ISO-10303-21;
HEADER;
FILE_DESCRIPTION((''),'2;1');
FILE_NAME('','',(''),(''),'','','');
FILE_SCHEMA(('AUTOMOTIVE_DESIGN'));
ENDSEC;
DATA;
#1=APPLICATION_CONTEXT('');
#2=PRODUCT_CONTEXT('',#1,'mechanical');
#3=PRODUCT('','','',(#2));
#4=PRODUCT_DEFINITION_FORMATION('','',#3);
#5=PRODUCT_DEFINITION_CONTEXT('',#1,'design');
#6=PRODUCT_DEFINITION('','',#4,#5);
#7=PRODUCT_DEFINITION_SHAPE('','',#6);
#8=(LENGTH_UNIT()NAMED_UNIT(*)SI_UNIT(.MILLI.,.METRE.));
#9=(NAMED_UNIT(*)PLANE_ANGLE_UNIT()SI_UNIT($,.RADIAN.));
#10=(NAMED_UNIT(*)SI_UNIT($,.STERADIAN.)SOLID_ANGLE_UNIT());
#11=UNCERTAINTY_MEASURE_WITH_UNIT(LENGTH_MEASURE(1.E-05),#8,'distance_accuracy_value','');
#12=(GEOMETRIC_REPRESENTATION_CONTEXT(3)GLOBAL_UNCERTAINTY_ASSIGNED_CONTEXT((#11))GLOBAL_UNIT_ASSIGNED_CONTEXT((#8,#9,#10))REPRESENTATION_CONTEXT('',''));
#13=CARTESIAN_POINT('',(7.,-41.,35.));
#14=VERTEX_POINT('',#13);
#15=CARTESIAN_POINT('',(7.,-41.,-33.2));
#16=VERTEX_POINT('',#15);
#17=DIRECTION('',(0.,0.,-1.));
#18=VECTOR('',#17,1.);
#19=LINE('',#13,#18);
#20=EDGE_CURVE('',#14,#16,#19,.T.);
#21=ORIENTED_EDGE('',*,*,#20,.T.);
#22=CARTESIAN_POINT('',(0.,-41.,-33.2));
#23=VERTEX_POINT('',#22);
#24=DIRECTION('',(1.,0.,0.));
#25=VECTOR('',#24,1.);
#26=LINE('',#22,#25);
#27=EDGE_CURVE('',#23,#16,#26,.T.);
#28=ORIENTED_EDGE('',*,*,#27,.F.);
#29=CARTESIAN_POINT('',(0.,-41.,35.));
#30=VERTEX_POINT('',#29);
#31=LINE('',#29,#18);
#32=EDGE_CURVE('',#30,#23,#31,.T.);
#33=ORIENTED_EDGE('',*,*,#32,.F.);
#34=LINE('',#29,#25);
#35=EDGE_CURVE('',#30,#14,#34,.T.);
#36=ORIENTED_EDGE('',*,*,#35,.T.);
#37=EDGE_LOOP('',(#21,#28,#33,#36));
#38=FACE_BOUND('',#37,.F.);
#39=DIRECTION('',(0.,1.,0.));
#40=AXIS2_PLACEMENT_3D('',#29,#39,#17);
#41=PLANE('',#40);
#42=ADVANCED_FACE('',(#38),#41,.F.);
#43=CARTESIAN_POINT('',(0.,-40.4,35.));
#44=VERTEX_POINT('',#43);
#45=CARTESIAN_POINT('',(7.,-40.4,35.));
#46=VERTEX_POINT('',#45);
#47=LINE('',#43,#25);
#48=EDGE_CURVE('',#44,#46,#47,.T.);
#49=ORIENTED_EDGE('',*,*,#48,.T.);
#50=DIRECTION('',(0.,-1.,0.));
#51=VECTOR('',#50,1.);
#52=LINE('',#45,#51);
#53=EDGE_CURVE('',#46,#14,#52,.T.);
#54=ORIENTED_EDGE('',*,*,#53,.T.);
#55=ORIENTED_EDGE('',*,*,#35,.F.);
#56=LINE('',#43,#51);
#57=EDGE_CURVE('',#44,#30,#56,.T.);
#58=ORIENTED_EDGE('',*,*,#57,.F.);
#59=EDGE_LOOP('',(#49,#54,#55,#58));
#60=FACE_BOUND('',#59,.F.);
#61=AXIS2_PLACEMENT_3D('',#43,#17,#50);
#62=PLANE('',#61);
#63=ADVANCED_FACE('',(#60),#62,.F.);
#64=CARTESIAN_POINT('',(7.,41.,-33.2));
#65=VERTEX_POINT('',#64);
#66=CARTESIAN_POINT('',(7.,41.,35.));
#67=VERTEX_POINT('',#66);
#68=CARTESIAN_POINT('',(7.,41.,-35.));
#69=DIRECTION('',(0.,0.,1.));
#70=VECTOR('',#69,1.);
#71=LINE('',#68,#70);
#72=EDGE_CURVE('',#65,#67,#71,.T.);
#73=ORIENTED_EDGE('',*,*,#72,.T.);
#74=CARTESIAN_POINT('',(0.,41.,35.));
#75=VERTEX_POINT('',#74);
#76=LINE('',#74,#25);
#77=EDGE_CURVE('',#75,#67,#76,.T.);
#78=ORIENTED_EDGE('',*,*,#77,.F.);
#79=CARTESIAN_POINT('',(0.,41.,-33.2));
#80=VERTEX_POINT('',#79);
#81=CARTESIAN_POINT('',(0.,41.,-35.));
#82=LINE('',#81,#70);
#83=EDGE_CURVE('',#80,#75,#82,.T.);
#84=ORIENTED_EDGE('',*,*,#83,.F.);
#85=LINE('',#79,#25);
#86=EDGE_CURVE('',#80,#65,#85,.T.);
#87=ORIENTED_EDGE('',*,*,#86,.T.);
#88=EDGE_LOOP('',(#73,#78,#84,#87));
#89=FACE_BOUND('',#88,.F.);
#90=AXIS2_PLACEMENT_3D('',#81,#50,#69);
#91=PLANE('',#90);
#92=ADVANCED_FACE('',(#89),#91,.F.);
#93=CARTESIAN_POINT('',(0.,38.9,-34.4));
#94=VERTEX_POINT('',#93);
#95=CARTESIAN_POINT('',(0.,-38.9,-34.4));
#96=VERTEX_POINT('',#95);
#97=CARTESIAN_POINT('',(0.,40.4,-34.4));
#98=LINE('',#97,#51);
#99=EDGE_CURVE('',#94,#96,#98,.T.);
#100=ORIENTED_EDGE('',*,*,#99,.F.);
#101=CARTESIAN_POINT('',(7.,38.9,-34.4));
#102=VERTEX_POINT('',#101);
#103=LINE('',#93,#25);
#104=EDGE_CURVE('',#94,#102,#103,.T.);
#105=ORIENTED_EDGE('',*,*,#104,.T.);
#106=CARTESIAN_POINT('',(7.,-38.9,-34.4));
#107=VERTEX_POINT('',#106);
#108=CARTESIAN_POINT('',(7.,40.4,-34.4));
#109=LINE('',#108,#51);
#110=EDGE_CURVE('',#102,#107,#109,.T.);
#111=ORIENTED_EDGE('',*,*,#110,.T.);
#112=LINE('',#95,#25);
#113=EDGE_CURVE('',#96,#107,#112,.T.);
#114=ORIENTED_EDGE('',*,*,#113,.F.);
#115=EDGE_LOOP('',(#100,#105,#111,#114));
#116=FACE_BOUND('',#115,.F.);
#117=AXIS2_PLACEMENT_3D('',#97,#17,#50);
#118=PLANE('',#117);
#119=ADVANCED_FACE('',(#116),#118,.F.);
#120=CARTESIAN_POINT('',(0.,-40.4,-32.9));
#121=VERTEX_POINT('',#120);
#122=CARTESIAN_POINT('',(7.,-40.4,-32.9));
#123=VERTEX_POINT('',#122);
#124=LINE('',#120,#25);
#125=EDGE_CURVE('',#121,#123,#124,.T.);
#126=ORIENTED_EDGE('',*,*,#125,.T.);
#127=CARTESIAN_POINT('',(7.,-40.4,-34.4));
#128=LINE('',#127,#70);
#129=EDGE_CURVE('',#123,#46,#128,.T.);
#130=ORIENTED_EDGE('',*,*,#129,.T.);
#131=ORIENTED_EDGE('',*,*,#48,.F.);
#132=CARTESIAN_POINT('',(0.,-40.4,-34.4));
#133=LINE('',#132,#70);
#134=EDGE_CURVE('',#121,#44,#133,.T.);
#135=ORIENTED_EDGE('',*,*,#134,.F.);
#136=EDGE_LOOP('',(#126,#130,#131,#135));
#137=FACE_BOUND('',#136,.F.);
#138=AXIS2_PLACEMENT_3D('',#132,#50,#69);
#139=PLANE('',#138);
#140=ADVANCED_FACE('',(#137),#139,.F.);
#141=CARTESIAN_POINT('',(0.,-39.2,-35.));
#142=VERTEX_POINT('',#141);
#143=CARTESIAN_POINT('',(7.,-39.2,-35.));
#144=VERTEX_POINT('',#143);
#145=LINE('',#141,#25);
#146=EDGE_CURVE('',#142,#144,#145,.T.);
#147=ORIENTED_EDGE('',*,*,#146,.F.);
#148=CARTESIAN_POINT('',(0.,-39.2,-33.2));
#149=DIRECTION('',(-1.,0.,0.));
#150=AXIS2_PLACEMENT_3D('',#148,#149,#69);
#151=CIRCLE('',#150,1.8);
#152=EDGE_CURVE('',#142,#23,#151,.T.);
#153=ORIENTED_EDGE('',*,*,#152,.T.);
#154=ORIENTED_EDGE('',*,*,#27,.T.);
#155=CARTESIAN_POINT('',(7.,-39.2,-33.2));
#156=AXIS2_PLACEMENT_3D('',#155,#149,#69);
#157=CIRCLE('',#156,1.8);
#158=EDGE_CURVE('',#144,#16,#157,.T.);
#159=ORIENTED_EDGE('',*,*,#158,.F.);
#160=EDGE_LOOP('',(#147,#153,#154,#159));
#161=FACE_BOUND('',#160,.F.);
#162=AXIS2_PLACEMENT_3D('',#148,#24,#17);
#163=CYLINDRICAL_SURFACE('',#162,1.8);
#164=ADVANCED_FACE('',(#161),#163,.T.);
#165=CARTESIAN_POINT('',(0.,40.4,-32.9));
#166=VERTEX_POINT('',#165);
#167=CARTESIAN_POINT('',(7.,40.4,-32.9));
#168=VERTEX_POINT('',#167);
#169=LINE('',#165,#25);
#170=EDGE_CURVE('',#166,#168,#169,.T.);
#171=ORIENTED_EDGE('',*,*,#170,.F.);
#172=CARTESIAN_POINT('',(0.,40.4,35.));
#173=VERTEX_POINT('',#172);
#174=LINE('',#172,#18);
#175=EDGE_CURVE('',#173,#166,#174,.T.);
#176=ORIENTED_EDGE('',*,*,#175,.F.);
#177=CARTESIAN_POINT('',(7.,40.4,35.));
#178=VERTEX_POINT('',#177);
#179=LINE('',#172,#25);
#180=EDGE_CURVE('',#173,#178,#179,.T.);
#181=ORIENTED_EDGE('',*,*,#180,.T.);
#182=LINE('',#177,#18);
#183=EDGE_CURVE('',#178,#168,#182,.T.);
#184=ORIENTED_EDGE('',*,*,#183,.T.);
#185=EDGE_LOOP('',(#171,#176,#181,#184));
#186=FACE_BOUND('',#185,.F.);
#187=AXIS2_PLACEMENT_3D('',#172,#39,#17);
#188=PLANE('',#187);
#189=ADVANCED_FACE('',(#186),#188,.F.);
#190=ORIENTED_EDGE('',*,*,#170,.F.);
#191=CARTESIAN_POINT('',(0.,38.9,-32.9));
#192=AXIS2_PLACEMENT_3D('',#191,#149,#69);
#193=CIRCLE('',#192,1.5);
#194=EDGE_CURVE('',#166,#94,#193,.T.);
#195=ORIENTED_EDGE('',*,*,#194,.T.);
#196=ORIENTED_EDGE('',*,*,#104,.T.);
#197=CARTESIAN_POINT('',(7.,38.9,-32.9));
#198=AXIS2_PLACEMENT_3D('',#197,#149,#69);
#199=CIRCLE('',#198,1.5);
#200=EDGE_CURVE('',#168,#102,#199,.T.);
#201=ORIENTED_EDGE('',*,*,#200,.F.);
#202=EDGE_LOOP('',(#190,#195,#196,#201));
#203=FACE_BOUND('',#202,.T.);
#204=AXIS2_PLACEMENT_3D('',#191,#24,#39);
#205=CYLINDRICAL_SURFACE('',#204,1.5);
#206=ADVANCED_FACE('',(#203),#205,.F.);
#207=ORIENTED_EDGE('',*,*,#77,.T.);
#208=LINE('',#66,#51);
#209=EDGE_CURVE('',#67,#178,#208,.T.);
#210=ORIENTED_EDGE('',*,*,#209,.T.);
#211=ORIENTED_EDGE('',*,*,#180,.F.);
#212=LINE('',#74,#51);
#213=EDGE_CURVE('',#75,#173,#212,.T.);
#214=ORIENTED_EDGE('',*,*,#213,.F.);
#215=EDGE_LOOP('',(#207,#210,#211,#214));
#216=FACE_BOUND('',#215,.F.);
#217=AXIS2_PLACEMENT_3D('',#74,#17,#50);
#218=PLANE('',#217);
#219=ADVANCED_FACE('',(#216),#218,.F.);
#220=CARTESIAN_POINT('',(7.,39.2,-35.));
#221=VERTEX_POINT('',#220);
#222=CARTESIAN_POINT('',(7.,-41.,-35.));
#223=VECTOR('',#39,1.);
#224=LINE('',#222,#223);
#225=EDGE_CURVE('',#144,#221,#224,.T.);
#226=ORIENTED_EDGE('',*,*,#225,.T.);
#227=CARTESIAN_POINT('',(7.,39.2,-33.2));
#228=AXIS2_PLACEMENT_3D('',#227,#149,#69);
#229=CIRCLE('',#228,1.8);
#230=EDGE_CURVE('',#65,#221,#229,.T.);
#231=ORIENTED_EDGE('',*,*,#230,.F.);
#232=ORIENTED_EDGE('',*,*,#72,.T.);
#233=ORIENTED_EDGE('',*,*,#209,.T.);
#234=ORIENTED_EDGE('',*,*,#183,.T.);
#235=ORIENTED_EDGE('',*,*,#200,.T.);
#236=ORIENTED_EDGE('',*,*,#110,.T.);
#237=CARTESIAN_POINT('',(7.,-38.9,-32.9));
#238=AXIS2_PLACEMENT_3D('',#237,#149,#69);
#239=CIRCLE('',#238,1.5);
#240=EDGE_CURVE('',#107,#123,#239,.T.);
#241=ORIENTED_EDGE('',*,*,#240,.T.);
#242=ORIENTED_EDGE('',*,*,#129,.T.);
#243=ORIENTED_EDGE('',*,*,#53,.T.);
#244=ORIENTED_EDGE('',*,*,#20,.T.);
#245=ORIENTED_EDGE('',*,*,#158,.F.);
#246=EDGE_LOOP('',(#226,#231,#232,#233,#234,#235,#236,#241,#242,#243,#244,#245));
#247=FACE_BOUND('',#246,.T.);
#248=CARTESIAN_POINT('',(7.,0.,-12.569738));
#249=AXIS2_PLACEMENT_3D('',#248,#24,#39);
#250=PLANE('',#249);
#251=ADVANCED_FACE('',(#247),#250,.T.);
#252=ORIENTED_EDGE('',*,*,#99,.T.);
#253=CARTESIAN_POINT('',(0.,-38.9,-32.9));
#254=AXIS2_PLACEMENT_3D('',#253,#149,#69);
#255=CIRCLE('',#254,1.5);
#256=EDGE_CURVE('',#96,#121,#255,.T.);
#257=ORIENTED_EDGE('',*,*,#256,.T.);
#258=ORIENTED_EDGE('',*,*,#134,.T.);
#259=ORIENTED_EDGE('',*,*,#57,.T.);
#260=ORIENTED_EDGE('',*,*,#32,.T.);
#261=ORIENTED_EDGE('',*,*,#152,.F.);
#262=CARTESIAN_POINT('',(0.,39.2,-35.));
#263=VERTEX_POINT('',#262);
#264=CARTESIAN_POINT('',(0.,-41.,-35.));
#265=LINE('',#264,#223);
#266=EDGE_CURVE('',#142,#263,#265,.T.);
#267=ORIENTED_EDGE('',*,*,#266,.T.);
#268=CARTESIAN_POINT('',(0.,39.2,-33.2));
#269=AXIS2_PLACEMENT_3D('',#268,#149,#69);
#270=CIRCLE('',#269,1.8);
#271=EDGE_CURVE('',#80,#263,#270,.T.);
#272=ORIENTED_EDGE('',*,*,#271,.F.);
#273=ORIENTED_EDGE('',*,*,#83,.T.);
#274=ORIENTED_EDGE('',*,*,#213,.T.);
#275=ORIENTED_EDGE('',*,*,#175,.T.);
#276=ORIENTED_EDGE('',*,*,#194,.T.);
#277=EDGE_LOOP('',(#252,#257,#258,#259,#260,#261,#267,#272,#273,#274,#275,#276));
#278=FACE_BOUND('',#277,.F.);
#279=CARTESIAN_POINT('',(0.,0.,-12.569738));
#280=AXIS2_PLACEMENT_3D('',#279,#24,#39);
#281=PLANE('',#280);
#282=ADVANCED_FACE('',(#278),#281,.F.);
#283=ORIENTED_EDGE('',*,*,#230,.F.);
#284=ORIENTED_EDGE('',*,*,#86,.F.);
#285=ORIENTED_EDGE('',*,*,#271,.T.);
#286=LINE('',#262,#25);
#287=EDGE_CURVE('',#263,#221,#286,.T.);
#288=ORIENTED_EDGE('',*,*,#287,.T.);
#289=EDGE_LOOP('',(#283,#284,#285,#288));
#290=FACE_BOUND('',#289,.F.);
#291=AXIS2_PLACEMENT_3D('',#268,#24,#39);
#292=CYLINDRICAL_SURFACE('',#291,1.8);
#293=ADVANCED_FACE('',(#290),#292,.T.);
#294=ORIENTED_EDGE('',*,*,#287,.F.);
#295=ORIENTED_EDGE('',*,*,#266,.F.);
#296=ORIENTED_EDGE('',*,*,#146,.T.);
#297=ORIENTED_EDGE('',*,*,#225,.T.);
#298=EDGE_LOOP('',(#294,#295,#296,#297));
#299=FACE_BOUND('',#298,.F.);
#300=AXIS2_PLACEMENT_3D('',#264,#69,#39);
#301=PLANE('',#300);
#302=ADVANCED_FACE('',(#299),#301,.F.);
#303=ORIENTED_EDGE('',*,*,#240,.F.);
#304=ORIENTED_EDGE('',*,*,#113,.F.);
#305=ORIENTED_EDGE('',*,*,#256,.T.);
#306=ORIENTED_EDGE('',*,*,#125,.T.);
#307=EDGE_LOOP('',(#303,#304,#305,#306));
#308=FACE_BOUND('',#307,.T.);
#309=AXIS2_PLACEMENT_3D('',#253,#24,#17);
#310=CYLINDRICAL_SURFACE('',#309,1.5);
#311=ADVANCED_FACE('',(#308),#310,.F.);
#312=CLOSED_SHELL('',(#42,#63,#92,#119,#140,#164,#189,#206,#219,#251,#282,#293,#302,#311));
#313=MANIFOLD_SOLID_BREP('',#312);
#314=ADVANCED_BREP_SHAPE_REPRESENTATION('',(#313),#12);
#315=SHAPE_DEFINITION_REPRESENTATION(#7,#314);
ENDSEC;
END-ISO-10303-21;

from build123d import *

# Parameters (mm, degrees)
F1_DEPTH = 7
F2_R     = 1.5
F3_R     = 1.8


with BuildPart() as f1:
    # F0 (on Right) → F1 (new body)
    with BuildSketch(Plane.YZ):
        Polygon((-40.4, 35), (-41, 35), (-41, -35), (41, -35), (41, 35), (40.4, 35), (40.4, -34.4), (-40.4, -34.4), align=None)
    extrude(amount=F1_DEPTH)

    # F2
    f2_edges = [f1.edges().sort_by_distance(p)[0] for p in [
        (3.5, -40.4, -34.4),
        (3.5, 40.4, -34.4),
    ]]
    fillet(f2_edges, radius=F2_R)

    # F3
    f3_edges = [f1.edges().sort_by_distance(p)[0] for p in [
        (3.5, -41, -35),
        (3.5, 41, -35),
    ]]
    fillet(f3_edges, radius=F3_R)


solid = f1.part
